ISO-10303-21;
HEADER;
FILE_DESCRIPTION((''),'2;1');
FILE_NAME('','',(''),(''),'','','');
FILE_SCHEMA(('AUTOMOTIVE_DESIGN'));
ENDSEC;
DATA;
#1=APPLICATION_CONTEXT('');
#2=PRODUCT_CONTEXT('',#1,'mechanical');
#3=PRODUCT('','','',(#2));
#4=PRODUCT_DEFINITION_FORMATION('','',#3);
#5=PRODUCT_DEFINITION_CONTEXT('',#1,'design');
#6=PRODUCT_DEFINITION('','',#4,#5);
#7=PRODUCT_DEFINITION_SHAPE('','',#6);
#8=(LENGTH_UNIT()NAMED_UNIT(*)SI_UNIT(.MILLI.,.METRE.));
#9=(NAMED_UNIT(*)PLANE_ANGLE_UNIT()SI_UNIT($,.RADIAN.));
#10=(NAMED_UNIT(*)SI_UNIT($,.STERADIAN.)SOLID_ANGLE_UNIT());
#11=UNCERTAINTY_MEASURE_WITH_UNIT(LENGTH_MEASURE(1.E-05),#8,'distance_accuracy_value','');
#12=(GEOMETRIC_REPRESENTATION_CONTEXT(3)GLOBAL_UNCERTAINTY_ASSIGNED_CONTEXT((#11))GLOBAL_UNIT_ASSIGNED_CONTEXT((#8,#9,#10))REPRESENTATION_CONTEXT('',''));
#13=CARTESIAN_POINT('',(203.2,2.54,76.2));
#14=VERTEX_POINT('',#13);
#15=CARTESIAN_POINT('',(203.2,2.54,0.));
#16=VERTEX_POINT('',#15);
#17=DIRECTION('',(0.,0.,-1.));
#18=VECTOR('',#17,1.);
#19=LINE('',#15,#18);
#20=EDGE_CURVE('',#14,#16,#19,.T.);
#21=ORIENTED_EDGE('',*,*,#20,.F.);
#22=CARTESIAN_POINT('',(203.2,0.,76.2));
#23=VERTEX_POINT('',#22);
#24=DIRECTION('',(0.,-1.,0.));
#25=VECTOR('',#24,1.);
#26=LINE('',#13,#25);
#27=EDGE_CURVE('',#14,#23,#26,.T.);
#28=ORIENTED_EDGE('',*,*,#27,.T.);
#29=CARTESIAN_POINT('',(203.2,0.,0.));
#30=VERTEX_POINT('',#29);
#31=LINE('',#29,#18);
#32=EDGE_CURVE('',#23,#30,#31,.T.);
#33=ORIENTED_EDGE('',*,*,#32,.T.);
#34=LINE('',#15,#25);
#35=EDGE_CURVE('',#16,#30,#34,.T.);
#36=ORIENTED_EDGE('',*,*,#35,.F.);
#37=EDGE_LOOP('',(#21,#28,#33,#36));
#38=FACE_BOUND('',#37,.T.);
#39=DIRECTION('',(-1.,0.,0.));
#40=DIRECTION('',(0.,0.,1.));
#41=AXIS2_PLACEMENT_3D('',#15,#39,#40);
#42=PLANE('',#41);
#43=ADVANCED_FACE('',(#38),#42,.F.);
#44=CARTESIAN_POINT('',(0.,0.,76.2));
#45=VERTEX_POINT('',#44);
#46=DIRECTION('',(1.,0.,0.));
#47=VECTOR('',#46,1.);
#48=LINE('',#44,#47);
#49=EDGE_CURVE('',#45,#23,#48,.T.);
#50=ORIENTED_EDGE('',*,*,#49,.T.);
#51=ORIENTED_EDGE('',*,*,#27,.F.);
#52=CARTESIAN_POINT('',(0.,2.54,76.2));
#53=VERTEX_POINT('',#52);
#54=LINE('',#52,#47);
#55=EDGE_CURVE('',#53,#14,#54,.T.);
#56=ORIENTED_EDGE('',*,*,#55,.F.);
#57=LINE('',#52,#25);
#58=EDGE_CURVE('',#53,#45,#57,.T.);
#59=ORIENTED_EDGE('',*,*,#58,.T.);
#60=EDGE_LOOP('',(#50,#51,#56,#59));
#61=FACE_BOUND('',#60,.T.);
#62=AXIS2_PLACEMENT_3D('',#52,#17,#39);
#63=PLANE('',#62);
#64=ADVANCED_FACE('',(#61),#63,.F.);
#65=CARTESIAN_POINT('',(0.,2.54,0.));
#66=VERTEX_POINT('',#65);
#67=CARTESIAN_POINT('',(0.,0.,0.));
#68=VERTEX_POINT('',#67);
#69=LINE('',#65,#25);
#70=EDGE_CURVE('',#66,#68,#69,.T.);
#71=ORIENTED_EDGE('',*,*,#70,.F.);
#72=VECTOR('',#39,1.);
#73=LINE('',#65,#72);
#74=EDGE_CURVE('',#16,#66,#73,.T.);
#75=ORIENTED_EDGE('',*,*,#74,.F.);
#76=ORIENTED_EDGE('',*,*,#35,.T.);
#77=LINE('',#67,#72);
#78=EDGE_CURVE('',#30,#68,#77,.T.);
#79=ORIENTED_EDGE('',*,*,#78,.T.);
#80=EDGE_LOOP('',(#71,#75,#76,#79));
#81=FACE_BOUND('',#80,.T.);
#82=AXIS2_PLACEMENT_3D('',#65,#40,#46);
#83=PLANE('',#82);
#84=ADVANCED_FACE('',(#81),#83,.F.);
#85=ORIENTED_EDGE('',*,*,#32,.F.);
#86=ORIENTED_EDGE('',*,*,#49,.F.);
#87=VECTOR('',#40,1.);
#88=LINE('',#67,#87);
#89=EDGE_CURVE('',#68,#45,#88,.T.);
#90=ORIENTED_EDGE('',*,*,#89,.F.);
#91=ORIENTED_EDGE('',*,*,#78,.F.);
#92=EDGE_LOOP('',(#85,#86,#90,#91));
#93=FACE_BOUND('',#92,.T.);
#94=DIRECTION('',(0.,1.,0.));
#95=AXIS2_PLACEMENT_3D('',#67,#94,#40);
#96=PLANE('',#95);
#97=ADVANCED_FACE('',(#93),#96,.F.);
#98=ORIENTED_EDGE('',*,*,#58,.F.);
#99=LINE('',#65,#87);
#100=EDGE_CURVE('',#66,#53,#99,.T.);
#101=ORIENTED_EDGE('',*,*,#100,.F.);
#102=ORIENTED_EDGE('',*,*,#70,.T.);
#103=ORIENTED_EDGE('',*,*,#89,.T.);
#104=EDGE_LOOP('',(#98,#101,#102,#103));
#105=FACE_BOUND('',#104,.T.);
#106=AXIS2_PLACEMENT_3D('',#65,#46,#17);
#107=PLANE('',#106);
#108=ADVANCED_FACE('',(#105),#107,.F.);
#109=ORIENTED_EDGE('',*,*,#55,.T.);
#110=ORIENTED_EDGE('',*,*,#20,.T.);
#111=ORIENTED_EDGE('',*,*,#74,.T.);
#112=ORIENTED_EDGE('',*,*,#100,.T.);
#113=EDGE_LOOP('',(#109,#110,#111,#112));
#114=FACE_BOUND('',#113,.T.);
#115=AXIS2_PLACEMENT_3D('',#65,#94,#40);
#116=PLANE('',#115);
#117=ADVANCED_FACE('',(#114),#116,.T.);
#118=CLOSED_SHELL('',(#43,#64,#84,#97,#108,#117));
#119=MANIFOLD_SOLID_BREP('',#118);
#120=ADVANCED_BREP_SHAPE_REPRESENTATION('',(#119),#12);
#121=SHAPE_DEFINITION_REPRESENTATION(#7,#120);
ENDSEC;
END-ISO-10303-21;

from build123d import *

# Parameters (mm, degrees)
SKETCH_1_W      = 203.2
SKETCH_1_H      = 76.2
EXTRUDE_1_DEPTH = 2.54


with BuildPart() as part:
    # 草图1 → 凸台-拉伸1 (new body)
    with BuildSketch(Plane(origin=(0, 0, 0), x_dir=(1, 0, 0), z_dir=(0, 1, 0))):
        with Locations((101.6, -38.1)):
            Rectangle(SKETCH_1_W, SKETCH_1_H)
    extrude(amount=EXTRUDE_1_DEPTH)


solid = part.part
